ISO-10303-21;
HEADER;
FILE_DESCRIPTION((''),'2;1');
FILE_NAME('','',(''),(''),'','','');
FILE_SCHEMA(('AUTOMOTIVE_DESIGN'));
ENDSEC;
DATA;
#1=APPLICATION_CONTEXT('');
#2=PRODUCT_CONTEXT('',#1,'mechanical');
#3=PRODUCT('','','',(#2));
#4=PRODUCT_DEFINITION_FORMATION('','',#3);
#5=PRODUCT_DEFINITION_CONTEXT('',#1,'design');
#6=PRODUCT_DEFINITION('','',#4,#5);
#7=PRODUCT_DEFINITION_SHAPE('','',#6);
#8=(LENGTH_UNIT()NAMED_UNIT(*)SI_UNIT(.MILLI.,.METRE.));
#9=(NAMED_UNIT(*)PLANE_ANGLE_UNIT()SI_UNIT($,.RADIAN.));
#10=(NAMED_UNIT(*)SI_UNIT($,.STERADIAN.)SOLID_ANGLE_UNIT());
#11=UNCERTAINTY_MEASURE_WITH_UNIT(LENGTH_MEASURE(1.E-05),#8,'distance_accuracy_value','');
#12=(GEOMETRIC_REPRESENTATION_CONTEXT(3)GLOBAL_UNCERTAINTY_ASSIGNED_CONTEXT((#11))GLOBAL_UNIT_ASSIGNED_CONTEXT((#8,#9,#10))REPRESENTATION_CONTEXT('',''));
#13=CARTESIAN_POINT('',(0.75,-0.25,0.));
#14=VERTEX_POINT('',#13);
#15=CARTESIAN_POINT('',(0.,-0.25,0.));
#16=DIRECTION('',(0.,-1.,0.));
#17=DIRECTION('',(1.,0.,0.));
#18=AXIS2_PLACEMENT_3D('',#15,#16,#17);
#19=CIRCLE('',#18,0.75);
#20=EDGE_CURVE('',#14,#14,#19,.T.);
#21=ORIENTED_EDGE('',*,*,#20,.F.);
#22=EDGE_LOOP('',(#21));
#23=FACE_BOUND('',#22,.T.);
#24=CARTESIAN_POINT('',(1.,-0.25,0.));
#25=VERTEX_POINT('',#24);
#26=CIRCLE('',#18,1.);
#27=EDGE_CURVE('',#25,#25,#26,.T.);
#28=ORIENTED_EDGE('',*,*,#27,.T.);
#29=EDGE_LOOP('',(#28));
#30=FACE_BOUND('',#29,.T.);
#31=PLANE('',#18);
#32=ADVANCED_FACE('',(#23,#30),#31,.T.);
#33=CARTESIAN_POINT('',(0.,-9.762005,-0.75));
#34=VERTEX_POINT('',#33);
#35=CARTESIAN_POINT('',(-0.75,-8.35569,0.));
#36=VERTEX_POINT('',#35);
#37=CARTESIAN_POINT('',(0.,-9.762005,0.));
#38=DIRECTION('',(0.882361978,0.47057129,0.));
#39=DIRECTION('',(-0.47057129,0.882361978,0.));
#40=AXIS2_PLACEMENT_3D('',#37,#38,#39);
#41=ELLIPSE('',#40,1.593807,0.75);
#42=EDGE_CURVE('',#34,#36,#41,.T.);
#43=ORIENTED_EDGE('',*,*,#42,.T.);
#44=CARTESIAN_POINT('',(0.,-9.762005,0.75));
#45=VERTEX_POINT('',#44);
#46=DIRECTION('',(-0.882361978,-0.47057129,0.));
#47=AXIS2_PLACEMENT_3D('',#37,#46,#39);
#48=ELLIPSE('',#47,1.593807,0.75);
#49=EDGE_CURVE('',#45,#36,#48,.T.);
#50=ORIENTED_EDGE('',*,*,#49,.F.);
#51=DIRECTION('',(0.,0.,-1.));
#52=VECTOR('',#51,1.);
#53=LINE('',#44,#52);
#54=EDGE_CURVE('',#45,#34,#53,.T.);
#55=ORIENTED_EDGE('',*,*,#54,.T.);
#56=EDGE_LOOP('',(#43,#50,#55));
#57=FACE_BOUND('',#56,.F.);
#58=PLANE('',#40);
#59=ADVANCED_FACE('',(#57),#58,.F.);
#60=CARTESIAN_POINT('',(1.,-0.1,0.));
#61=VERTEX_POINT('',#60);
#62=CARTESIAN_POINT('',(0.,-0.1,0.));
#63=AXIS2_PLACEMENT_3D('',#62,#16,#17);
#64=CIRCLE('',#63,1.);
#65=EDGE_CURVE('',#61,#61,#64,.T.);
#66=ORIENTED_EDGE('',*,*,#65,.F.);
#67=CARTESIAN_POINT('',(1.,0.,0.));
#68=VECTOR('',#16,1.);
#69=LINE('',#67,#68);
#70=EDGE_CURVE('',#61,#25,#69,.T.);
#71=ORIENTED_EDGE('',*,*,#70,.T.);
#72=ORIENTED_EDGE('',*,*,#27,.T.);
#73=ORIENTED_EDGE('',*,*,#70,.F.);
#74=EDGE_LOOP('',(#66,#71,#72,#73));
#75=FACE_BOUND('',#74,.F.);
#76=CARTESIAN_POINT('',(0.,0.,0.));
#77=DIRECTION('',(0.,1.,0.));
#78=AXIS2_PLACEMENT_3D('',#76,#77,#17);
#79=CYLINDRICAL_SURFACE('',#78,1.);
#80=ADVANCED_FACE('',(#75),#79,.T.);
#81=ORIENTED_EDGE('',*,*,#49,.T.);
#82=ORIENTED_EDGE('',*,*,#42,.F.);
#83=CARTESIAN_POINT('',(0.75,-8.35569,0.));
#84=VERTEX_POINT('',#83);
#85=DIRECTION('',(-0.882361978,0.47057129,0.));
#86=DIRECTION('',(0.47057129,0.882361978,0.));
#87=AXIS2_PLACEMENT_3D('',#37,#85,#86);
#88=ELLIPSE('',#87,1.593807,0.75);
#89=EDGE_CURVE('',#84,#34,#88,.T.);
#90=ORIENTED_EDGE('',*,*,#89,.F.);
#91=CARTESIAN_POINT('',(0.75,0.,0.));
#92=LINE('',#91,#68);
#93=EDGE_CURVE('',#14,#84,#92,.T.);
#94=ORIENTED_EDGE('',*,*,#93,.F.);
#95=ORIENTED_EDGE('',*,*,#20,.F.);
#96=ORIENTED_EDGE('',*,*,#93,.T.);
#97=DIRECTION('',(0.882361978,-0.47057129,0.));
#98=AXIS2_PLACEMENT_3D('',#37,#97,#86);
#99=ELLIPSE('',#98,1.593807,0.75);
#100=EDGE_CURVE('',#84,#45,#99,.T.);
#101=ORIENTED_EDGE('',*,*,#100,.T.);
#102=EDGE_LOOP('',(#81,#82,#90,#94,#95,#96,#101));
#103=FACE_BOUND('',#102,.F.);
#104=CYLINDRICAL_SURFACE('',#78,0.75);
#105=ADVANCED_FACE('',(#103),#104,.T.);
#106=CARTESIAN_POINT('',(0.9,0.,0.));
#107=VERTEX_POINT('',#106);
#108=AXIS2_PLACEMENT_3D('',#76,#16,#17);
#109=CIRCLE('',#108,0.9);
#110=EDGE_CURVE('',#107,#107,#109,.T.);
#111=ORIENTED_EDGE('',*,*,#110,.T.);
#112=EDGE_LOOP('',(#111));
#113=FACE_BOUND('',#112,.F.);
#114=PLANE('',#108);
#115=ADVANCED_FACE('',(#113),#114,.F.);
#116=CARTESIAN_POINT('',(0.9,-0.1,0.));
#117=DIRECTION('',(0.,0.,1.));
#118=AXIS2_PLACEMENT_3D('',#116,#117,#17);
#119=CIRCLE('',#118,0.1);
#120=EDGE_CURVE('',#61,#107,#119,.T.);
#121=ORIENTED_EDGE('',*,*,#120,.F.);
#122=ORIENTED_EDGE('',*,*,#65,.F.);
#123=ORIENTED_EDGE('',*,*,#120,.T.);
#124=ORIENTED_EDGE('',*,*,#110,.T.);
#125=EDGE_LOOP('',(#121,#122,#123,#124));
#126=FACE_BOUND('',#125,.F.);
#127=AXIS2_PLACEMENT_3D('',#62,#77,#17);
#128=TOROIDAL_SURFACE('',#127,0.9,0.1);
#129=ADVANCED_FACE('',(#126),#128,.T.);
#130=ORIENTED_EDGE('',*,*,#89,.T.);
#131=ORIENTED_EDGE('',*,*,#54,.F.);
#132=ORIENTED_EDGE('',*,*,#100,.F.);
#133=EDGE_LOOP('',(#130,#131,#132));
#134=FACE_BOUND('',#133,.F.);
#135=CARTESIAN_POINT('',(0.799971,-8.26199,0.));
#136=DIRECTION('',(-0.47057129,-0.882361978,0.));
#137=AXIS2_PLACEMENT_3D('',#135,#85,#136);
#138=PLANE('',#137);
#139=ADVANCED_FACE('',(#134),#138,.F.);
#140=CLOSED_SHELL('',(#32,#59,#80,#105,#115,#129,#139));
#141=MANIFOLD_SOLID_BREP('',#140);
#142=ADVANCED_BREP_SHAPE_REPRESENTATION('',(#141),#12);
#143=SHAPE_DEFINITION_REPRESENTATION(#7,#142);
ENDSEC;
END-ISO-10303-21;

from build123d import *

# Parameters (mm, degrees)
F0_R          = 0.75
F1_DEPTH      = 10
F0_R_2        = 1
F2_DEPTH      = 0.25
F3_R          = 0.1
F5_DEPTH      = 25
F5_DEPTH_BACK = 25


with BuildPart() as f1:
    # F0 (on Front) → F1 (new body)
    with BuildSketch(Plane.XZ):
        Circle(F0_R)
    extrude(amount=F1_DEPTH)

    # F0 (on Front) → F2 (join)
    with BuildSketch(Plane.XZ):
        Circle(F0_R_2)
        Circle(F0_R, mode=Mode.SUBTRACT)
    extrude(amount=F2_DEPTH)

    # F3
    f3_edges = [f1.edges().sort_by_distance(p)[0] for p in [
        (-1, 0, 0),
    ]]
    fillet(f3_edges, radius=F3_R)

    # F4 (on Top) → F5 (cut, two sides)
    with BuildSketch(Plane.XY) as f5_sk:
        Polygon((-0.999971, -8.26199), (-0.999971, -10.461405), (0.999971, -10.461405), (0.999971, -8.26199), (0.799971, -8.26199), (0, -9.762005), (-0.799971, -8.26199), align=None)
    extrude(amount=F5_DEPTH, mode=Mode.SUBTRACT)
    extrude(f5_sk.sketch, amount=-F5_DEPTH_BACK, mode=Mode.SUBTRACT)


solid = f1.part
